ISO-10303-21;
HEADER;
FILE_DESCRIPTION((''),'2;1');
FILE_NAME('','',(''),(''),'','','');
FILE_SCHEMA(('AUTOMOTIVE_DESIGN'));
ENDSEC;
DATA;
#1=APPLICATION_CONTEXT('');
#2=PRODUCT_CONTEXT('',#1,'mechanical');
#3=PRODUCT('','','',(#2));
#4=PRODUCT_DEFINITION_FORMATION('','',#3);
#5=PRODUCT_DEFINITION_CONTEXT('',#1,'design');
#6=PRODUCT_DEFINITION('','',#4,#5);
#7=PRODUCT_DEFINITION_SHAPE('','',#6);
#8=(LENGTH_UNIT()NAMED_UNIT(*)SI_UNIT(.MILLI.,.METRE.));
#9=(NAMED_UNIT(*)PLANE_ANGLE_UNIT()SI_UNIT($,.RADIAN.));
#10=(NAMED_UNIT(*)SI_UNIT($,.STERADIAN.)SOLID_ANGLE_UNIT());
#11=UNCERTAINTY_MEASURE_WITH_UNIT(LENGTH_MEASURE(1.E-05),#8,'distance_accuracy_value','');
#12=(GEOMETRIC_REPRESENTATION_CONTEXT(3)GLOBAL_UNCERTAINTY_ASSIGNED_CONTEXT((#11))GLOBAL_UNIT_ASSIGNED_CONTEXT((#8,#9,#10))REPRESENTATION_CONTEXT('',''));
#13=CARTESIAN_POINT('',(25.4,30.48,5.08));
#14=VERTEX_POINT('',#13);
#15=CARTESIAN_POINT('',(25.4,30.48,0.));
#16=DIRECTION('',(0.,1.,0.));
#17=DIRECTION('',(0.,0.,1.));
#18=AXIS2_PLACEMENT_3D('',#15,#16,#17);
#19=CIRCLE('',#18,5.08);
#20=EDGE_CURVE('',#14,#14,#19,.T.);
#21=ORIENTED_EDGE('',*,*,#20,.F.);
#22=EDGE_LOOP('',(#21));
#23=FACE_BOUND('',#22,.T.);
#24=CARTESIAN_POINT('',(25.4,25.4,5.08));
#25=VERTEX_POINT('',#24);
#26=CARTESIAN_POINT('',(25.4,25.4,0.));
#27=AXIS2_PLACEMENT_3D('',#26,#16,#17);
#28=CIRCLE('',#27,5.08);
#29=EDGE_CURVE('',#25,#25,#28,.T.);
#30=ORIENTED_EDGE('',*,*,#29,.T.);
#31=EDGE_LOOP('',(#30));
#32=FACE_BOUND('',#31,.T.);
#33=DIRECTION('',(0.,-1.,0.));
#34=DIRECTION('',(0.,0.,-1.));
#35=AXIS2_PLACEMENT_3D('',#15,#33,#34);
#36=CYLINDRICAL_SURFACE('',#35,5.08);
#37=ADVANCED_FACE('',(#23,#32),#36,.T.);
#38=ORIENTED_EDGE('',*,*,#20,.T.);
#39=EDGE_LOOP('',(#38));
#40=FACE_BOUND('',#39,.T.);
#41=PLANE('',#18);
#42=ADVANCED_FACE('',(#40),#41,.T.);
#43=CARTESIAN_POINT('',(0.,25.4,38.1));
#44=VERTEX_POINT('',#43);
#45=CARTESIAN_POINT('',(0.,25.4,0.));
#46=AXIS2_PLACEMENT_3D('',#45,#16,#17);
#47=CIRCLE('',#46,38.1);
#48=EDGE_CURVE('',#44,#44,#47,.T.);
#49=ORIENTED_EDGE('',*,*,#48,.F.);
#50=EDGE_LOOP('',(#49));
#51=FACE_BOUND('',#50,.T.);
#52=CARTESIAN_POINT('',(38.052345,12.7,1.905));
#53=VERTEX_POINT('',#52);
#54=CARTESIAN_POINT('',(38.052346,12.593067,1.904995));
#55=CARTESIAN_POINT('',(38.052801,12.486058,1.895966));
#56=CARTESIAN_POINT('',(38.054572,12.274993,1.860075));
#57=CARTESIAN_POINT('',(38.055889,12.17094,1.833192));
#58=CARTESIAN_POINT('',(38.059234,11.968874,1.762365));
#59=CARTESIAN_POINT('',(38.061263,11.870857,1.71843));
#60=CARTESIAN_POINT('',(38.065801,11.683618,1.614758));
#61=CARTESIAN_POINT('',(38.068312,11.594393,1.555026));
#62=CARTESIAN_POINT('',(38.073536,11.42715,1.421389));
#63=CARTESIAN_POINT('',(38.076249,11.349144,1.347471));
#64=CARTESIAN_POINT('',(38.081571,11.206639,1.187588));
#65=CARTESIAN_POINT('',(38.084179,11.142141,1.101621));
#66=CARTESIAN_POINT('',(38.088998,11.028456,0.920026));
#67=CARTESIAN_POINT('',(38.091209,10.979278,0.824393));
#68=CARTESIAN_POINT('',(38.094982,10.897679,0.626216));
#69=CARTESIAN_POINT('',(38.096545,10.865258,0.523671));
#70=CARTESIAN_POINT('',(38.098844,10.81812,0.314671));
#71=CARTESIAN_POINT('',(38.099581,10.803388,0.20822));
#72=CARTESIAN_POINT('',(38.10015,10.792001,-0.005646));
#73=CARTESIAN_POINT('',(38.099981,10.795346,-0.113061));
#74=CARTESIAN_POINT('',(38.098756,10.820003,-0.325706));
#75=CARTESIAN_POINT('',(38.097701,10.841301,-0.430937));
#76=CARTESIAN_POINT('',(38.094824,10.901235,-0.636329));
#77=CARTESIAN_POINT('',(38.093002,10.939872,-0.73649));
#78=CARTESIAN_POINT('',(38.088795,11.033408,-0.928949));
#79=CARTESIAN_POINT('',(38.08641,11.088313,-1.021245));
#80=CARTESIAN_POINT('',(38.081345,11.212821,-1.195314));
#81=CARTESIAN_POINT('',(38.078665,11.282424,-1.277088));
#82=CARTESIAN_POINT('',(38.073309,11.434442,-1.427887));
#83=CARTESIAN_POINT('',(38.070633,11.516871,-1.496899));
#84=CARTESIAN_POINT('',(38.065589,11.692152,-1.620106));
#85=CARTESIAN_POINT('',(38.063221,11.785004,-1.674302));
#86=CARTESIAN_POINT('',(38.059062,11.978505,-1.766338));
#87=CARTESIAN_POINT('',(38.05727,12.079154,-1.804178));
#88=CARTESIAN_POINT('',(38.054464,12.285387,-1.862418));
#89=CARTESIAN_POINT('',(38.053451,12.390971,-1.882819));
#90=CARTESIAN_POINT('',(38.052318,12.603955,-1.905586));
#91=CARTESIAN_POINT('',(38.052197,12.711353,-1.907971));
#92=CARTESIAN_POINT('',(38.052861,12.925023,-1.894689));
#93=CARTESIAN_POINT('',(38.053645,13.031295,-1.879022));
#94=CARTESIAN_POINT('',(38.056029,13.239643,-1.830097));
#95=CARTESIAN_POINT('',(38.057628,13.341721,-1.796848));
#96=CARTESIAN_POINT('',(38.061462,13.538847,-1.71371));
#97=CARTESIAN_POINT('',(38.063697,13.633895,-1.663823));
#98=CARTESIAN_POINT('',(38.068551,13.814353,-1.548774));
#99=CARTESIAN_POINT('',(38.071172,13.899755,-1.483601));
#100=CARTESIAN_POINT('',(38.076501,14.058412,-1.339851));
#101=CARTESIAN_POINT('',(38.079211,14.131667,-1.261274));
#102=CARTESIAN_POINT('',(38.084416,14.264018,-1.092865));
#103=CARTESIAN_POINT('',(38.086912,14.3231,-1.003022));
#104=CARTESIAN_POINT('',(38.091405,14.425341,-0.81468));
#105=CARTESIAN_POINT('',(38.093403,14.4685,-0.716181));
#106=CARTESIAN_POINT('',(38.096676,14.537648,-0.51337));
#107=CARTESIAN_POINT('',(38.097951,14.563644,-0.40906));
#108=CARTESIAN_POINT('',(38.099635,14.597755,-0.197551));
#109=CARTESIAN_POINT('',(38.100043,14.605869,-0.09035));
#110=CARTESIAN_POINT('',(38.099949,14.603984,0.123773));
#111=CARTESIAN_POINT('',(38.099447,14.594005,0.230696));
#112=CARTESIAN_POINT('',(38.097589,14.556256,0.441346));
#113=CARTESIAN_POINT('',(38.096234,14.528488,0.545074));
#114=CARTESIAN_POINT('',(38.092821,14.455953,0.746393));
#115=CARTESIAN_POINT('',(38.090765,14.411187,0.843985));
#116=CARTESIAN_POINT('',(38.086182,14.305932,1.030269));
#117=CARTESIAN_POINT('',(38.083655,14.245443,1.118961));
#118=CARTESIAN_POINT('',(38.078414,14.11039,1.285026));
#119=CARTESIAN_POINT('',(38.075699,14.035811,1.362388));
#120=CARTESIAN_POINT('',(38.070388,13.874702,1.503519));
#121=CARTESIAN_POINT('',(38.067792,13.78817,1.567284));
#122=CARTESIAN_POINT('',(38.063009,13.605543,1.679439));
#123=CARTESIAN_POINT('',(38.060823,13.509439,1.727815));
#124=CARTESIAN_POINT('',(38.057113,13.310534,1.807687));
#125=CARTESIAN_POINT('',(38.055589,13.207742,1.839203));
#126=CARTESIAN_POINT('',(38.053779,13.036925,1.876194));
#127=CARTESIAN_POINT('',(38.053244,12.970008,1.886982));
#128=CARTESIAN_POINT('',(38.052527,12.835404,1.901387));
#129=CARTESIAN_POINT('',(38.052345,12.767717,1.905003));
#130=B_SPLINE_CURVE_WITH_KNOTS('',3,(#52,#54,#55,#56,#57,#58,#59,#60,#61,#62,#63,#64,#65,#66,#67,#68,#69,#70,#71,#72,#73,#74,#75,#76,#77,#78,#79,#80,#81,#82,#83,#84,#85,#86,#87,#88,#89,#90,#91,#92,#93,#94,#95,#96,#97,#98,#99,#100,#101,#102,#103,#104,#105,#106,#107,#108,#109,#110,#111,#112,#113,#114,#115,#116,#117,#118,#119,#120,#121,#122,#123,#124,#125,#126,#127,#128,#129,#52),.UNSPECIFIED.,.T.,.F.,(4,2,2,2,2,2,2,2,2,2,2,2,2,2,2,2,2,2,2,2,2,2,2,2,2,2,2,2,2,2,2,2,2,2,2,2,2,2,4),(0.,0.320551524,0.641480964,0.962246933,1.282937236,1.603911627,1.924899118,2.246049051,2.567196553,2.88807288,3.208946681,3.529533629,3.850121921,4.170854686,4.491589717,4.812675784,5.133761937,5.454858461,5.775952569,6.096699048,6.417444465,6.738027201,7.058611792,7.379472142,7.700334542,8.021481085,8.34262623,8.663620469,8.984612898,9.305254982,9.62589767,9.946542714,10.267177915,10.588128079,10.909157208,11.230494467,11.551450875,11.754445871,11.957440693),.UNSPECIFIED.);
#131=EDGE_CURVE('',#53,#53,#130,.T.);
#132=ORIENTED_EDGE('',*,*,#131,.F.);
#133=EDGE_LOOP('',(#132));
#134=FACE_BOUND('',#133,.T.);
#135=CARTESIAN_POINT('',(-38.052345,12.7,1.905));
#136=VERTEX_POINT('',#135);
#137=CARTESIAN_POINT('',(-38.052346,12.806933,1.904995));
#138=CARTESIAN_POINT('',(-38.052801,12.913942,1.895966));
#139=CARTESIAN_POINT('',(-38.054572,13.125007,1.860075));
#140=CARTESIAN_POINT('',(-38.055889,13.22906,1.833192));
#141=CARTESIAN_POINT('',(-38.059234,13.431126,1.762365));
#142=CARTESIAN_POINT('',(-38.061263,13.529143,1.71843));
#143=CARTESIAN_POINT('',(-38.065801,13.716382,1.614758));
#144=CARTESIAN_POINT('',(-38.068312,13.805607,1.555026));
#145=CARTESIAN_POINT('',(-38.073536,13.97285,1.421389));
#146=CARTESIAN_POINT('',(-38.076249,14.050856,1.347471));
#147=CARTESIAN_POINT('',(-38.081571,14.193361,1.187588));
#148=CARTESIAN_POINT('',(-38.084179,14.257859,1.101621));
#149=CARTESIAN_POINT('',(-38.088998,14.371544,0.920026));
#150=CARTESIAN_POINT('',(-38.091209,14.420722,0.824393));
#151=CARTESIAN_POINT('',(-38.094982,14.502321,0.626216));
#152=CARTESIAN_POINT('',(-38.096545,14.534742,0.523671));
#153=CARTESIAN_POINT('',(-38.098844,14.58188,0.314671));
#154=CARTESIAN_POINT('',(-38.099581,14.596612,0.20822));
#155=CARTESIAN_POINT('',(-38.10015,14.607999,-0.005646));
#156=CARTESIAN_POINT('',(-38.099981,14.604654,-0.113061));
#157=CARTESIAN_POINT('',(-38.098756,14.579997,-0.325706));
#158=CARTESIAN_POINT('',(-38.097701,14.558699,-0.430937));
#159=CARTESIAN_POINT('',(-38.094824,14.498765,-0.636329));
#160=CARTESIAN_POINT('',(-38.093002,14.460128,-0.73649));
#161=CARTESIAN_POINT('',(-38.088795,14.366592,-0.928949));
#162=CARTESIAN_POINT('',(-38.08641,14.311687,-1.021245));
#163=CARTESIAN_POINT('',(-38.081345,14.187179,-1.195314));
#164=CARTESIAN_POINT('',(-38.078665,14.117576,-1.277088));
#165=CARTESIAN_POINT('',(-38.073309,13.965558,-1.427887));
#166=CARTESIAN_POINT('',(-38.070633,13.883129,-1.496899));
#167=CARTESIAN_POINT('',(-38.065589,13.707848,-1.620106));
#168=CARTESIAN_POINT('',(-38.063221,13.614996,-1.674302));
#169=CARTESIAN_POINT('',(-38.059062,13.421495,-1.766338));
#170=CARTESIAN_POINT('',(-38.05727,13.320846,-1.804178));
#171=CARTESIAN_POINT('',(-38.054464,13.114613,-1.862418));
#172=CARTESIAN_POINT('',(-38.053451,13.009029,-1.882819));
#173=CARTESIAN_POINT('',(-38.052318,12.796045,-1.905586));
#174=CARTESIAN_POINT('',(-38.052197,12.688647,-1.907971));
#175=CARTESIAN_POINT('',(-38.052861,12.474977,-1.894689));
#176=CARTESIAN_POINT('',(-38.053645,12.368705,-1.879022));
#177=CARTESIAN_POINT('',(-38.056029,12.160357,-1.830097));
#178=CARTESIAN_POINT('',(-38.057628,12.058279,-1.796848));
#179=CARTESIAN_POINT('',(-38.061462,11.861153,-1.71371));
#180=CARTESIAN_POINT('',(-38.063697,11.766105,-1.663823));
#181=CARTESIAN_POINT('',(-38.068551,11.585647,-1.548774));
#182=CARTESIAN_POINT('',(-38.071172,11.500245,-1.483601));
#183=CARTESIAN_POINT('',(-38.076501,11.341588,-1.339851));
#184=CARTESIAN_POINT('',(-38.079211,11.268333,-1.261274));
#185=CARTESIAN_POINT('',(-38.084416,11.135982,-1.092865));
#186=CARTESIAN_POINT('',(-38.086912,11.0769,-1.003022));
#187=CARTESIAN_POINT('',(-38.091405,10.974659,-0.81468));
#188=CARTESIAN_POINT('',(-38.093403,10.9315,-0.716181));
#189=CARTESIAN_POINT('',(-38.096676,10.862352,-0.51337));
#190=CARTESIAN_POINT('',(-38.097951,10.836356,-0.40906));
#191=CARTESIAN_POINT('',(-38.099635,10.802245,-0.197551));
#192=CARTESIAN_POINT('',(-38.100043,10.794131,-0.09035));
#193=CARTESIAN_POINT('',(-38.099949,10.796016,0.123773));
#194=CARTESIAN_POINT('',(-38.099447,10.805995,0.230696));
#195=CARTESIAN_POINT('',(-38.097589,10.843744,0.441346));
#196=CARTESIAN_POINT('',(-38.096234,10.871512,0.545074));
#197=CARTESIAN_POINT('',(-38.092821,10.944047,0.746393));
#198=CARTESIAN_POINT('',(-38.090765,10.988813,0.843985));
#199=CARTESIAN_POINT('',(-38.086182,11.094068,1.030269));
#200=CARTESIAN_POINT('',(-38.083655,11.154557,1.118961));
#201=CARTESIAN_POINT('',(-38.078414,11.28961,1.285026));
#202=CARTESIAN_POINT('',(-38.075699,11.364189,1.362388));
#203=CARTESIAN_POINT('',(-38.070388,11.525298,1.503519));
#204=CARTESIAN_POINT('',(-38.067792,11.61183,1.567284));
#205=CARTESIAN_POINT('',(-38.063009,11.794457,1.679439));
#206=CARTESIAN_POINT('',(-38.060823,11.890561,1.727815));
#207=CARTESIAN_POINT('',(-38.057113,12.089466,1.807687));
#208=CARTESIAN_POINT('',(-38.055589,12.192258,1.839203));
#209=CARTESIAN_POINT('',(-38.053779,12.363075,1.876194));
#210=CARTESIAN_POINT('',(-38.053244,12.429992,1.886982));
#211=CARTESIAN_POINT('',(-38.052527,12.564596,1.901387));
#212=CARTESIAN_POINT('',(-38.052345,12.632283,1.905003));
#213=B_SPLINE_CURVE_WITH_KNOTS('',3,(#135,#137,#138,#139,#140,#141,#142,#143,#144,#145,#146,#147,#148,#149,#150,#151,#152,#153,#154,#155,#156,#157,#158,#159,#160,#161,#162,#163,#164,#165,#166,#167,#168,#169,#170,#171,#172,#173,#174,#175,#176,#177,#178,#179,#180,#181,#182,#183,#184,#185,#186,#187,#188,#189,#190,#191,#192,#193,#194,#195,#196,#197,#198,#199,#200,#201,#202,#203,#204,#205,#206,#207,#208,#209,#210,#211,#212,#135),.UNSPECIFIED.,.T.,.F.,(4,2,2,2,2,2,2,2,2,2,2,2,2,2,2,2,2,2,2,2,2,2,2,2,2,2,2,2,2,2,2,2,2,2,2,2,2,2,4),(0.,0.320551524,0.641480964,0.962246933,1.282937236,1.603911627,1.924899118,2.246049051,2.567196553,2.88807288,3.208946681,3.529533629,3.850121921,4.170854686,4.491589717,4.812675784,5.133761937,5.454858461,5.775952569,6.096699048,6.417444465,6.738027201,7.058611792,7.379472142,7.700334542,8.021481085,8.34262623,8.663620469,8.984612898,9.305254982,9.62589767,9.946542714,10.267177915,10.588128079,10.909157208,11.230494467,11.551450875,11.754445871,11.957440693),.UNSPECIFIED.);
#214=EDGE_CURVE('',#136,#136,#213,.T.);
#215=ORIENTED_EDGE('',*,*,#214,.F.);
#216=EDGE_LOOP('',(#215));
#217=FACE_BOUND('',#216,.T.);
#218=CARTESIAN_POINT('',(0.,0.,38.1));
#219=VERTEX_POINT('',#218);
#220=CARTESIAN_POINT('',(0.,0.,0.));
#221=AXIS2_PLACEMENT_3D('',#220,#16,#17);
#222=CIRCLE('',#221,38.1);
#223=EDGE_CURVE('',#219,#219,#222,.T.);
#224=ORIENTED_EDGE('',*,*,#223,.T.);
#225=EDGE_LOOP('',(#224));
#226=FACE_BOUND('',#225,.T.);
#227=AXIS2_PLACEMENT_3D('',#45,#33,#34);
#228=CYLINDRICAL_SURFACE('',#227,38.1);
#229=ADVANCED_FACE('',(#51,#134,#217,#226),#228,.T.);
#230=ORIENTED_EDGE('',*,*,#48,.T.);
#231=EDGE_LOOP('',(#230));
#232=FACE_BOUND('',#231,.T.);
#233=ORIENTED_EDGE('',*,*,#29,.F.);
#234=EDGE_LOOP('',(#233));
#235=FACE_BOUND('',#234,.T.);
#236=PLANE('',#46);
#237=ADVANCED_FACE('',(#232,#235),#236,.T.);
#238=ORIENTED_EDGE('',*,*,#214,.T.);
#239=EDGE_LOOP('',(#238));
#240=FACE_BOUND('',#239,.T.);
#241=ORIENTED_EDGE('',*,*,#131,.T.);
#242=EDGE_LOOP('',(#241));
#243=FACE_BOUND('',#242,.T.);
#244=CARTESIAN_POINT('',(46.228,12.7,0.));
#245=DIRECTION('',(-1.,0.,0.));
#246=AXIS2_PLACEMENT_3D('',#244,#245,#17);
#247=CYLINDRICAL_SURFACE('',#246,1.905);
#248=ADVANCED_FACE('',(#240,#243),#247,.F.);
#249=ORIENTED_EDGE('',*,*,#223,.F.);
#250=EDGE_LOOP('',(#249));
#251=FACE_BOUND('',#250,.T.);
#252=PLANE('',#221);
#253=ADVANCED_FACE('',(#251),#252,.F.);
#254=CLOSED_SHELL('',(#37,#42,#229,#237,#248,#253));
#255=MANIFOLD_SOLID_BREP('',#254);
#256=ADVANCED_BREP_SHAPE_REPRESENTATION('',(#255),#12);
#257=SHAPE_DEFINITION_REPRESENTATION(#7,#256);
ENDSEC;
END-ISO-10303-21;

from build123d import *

# Parameters (mm, degrees)
SKETCH1_R               = 38.1
BOSS_EXTRUDE1_DEPTH     = 25.4
SKETCH2_R               = 5.08
BOSS_EXTRUDE2_DEPTH     = 5.08
SKETCH3_R               = 1.905
CUT_EXTRUDE1_DEPTH      = 46.228
CUT_EXTRUDE1_DEPTH_BACK = 46.482


with BuildPart() as part:
    # Sketch1 → Boss-Extrude1 (new body)
    with BuildSketch(Plane(origin=(0, 0, 0), x_dir=(1, 0, 0), z_dir=(0, 1, 0))):
        Circle(SKETCH1_R)
    extrude(amount=BOSS_EXTRUDE1_DEPTH)

    # Sketch2 → Boss-Extrude2 (add)
    with BuildSketch(Plane(origin=(0, 25.4, 0), x_dir=(1, 0, 0), z_dir=(0, 1, 0))):
        with Locations((25.4, 0)):
            Circle(SKETCH2_R)
    extrude(amount=BOSS_EXTRUDE2_DEPTH)

    # Sketch3 → Cut-Extrude1 (cut, two sides)
    with BuildSketch(Plane(origin=(0, 0, 0), x_dir=(0, 0, -1), z_dir=(1, 0, 0))) as cut_extrude1_sk:
        with Locations((0, 12.7)):
            Circle(SKETCH3_R)
    extrude(amount=CUT_EXTRUDE1_DEPTH, mode=Mode.SUBTRACT)
    extrude(cut_extrude1_sk.sketch, amount=-CUT_EXTRUDE1_DEPTH_BACK, mode=Mode.SUBTRACT)


solid = part.part
